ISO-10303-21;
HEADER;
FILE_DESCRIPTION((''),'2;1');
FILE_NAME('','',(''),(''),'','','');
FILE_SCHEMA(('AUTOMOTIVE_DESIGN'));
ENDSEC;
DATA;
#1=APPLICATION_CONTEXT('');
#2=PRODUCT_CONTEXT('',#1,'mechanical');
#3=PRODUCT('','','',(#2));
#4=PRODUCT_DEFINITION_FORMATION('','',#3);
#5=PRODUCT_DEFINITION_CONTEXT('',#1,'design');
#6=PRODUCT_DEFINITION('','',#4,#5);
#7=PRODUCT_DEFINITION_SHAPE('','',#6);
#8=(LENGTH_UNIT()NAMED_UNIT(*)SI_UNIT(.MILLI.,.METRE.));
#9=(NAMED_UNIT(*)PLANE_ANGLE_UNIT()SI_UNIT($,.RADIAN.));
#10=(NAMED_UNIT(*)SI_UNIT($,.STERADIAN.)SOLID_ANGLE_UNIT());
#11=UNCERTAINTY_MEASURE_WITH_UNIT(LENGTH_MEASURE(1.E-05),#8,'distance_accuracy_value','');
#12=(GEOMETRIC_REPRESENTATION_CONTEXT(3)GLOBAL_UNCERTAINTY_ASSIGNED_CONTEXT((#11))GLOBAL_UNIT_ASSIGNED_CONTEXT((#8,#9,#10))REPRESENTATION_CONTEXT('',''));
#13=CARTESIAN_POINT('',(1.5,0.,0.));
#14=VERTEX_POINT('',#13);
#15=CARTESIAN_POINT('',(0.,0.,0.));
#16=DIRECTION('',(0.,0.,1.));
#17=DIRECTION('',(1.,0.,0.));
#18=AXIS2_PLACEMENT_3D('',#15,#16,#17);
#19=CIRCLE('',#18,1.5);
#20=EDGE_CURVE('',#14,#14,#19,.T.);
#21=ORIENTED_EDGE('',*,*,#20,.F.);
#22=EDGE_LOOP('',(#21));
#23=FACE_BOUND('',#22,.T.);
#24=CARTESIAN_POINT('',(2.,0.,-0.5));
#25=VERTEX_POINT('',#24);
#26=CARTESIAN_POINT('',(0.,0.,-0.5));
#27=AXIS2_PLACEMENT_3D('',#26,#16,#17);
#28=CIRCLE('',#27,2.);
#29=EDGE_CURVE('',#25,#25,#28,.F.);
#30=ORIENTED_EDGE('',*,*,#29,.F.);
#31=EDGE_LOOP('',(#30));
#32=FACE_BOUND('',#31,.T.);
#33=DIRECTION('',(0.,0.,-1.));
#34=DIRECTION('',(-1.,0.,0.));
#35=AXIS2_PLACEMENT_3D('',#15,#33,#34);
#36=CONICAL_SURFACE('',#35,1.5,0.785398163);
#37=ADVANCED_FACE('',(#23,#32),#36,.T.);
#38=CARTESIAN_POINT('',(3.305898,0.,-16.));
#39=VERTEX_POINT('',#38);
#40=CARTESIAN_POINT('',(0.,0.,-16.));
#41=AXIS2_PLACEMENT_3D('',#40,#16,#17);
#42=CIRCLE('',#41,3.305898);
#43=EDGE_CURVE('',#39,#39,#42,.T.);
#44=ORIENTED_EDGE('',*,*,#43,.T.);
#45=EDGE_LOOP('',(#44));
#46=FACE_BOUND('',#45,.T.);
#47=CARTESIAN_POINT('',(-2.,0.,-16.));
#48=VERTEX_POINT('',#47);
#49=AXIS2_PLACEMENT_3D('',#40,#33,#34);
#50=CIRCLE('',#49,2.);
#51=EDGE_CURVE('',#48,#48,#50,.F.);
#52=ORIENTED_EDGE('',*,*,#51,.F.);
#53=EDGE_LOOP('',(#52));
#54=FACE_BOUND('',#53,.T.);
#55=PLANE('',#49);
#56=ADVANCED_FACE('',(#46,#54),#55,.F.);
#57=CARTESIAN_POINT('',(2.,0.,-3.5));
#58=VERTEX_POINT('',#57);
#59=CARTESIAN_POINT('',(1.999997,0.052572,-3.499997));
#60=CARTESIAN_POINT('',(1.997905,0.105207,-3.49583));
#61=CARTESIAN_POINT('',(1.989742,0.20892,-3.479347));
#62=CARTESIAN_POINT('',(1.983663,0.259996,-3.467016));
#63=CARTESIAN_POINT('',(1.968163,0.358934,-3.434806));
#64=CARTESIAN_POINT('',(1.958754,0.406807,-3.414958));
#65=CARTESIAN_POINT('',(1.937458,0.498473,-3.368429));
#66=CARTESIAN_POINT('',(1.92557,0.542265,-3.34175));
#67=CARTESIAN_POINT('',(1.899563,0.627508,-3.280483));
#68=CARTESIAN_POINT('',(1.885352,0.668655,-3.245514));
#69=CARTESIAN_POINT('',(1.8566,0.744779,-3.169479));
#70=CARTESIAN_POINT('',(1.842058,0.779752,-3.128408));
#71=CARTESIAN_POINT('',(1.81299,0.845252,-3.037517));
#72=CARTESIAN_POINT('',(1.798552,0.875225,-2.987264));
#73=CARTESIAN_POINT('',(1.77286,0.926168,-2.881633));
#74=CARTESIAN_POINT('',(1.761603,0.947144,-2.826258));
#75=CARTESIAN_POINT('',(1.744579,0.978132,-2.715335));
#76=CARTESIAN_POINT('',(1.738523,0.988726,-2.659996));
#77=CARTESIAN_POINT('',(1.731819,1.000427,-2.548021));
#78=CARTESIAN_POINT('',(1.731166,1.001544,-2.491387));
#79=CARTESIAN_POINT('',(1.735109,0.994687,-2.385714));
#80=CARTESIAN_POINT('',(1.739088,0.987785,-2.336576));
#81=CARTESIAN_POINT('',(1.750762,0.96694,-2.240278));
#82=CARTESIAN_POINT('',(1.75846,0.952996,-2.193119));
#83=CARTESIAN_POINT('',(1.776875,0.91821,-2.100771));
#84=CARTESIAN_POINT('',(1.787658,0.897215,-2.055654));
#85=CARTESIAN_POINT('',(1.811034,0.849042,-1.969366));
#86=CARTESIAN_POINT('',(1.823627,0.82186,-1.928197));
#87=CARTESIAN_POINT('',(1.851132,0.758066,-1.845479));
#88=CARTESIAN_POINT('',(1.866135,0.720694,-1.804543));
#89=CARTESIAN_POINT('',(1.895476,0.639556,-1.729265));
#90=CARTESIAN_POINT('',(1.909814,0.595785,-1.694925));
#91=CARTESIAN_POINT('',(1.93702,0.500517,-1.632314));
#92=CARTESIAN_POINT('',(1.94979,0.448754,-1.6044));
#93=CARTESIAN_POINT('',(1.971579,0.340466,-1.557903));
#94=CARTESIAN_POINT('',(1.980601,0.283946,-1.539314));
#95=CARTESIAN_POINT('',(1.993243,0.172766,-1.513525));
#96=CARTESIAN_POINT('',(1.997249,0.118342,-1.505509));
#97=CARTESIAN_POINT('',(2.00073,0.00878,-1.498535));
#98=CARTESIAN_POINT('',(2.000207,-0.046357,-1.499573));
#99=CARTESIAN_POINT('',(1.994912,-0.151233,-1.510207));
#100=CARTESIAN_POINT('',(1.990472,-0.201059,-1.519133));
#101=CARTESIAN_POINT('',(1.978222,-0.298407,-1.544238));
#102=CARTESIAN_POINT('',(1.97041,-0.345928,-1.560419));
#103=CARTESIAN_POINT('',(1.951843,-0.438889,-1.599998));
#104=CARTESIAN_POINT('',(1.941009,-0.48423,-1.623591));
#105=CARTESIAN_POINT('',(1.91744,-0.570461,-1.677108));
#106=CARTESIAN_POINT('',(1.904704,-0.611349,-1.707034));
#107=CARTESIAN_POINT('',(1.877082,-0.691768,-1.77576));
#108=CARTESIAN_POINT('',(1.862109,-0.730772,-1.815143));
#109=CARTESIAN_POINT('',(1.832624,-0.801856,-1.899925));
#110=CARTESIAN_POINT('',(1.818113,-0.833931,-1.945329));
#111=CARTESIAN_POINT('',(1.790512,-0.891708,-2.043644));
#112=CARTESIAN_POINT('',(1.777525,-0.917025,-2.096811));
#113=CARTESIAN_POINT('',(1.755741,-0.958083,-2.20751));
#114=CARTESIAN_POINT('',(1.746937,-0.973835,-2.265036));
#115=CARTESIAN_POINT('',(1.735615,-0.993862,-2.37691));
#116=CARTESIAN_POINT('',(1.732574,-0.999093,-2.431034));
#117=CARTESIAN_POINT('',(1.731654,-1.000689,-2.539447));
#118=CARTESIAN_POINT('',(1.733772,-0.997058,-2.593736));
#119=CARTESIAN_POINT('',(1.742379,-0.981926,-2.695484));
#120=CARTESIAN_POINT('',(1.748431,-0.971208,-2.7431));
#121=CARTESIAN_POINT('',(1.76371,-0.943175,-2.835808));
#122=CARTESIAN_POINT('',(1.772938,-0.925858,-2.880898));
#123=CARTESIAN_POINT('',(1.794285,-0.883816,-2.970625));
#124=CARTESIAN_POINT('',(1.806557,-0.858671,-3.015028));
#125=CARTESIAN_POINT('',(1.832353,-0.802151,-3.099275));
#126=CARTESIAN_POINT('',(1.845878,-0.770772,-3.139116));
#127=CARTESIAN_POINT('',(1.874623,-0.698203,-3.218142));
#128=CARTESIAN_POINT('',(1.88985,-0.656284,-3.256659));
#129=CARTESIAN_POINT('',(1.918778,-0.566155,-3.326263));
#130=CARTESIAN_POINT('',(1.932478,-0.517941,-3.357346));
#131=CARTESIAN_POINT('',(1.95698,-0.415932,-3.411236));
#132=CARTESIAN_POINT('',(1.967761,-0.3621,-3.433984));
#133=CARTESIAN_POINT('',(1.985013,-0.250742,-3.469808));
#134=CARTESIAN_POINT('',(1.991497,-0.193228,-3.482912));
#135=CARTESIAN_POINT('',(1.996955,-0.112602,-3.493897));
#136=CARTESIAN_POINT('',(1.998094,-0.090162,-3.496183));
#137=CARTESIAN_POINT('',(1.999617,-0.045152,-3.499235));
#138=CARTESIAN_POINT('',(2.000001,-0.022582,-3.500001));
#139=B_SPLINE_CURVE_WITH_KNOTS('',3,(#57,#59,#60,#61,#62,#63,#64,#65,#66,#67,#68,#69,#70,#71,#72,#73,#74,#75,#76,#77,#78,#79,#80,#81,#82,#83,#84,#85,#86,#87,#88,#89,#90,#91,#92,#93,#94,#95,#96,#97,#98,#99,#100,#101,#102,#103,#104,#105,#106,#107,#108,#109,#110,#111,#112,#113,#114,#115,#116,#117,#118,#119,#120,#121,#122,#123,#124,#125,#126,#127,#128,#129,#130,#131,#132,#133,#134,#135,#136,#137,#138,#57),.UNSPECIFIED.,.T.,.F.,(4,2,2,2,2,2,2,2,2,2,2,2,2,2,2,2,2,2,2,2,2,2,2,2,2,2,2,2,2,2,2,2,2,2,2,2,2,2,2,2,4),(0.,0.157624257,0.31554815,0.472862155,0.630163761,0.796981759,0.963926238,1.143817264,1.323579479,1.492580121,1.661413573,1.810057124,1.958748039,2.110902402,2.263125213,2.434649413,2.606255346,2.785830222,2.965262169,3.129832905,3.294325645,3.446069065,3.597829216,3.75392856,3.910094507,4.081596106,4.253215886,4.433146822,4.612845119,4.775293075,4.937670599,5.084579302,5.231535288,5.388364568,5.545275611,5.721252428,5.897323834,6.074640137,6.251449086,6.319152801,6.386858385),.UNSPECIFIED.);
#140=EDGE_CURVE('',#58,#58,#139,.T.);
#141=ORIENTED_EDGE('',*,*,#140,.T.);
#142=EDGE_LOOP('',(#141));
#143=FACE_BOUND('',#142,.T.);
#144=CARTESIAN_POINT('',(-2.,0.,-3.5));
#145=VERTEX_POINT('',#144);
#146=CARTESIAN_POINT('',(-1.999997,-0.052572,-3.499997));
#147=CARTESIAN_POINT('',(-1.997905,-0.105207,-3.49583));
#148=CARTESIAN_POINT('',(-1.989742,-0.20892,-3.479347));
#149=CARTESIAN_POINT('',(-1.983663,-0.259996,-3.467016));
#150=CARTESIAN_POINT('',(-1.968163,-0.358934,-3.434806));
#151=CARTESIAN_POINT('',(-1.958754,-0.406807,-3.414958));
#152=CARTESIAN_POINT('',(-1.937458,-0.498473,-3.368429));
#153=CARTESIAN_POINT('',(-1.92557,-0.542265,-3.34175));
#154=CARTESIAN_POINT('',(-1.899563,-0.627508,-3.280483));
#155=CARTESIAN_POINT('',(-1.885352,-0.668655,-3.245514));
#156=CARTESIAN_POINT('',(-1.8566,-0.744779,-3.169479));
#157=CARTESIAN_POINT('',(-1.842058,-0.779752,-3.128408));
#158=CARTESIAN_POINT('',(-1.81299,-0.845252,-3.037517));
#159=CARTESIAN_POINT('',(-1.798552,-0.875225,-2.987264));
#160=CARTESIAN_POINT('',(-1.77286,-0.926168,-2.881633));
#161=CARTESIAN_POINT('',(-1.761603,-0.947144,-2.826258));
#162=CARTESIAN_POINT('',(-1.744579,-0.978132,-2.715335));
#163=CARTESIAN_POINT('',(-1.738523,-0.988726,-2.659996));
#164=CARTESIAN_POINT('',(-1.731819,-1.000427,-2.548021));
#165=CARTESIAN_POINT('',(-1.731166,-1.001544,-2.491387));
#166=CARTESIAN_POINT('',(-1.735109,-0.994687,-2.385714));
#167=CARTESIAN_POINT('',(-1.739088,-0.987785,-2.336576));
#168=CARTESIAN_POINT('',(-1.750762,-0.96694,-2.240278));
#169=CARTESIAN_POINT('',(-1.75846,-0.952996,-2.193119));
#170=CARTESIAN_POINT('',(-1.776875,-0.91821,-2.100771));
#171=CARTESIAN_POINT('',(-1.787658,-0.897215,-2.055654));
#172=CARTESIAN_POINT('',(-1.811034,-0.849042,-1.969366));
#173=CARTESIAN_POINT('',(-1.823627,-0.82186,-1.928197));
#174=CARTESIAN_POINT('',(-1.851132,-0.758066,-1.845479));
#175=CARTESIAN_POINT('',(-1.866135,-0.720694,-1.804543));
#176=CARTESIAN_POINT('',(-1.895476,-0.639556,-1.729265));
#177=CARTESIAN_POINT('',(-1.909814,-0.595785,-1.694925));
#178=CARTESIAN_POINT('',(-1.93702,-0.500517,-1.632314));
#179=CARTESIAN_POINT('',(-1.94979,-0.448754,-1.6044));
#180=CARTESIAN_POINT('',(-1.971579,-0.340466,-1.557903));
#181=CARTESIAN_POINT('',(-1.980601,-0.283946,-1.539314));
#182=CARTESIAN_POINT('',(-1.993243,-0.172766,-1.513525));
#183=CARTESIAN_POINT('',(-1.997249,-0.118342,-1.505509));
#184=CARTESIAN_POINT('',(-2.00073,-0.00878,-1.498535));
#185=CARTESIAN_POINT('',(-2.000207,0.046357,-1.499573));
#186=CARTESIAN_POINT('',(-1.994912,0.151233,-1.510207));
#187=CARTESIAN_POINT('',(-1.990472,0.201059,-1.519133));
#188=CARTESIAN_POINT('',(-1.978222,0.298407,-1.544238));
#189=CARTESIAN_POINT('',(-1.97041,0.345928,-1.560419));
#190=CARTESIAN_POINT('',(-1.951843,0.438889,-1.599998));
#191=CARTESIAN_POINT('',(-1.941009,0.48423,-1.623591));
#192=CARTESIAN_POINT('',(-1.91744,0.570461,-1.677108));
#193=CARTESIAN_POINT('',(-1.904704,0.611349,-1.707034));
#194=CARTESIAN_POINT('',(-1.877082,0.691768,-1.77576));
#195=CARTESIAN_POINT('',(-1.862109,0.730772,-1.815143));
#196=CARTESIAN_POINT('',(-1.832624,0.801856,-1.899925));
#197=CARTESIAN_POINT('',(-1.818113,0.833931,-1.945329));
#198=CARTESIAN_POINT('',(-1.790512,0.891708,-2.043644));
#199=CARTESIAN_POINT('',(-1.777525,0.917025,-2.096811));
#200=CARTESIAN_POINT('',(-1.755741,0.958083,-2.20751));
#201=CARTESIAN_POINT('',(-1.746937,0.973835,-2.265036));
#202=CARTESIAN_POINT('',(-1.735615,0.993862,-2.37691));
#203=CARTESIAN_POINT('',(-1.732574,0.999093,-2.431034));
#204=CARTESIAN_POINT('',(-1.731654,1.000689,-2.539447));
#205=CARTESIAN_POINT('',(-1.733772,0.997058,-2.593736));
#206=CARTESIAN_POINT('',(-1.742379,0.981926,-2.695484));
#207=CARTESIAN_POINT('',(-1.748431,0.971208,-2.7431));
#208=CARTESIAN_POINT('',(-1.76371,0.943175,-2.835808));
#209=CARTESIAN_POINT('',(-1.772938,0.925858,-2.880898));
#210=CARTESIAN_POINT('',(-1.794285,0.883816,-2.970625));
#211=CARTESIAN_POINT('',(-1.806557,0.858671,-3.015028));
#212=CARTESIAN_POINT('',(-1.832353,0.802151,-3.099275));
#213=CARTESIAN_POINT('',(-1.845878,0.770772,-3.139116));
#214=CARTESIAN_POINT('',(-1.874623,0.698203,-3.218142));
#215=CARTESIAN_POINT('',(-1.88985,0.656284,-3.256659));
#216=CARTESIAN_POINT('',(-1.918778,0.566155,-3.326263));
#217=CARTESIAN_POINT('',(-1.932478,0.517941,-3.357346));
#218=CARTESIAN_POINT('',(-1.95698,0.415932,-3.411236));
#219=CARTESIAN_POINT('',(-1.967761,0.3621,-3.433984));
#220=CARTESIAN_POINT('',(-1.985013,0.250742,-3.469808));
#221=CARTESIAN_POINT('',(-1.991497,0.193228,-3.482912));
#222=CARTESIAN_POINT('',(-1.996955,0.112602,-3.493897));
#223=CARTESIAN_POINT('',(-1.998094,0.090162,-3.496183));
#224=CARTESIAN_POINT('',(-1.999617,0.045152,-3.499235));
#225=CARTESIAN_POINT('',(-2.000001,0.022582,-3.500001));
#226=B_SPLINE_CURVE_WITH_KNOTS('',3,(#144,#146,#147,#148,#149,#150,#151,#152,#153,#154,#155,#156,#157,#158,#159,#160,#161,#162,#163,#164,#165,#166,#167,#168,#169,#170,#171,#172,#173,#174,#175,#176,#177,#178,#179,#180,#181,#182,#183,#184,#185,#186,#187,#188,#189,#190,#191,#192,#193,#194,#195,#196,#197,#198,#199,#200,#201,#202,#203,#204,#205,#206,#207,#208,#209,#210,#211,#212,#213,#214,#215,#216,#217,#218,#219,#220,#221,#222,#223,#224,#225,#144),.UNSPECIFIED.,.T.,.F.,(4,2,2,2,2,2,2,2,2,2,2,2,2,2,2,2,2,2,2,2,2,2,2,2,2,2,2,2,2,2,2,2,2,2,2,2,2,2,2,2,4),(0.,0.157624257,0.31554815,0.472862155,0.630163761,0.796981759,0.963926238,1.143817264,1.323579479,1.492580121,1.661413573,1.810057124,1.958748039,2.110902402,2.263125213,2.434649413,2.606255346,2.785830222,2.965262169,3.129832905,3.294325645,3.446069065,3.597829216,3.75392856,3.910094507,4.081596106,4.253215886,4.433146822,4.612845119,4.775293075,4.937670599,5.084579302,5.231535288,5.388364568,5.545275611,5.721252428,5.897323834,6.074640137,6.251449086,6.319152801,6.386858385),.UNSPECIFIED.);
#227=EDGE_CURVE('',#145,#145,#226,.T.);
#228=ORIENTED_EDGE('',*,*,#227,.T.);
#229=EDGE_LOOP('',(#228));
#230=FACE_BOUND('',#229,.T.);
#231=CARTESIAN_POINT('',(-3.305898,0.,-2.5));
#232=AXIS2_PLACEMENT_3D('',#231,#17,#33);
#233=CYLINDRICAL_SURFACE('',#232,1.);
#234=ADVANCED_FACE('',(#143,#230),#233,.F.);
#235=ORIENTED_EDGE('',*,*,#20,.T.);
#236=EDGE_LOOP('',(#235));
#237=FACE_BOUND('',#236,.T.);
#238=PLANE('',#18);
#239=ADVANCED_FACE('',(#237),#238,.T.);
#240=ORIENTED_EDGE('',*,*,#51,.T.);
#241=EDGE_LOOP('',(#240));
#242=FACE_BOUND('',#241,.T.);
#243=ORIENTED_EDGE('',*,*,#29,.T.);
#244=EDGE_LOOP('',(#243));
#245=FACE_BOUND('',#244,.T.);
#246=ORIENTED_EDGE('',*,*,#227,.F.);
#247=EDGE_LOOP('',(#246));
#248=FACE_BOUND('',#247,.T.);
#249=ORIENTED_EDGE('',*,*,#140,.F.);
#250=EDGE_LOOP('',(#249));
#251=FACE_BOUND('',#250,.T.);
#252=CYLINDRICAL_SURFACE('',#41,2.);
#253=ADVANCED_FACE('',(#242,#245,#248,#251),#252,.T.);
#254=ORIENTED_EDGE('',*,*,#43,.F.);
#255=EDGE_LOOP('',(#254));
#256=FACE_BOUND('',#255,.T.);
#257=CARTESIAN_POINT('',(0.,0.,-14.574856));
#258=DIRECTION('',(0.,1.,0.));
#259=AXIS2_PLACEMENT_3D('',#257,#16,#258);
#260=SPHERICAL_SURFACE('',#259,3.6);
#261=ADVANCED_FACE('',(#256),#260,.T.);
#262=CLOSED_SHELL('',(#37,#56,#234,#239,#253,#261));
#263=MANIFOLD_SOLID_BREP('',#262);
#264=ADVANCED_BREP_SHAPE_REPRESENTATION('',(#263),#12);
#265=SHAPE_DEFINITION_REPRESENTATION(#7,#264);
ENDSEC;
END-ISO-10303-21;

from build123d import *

# Parameters (mm, degrees)
SKETCH1_R               = 2
BOSS_EXTRUDE1_DEPTH     = 16
CHAMFER1_SIZE           = 0.5
SKETCH7_R               = 1
CUT_EXTRUDE1_DEPTH      = 4.305898307
CUT_EXTRUDE1_DEPTH_BACK = 4.305898307


with BuildPart() as part:
    # Sketch1 → Boss-Extrude1 (new body)
    with BuildSketch(Plane.XY):
        Circle(SKETCH1_R)
    extrude(amount=-BOSS_EXTRUDE1_DEPTH)

    # Chamfer1
    chamfer1_edges = [part.edges().sort_by_distance(p)[0] for p in [
        (-2, 0, 0),
    ]]
    chamfer(chamfer1_edges, length=CHAMFER1_SIZE)

    # Sketch4 → Revolve1 (revolve)
    with BuildSketch(Plane(origin=(0, 0, 0), x_dir=(0, 0, -1), z_dir=(1, 0, 0))):
        with BuildLine():
            Line((16, 0), (16, 3.305898307))
            ThreePointArc((16, 3.305898307), (17.582389504, 1.978570239), (18.174855662, 0))
            Line((18.174855662, 0), (16, 0))
        make_face()
    revolve(axis=Axis((0, 0, -13.297823311), (0, 0, -1)))

    # Sketch7 → Cut-Extrude1 (cut, two sides)
    with BuildSketch(Plane(origin=(0, 0, 0), x_dir=(0, 0, -1), z_dir=(1, 0, 0))) as cut_extrude1_sk:
        with Locations((2.5, 0)):
            Circle(SKETCH7_R)
    extrude(amount=CUT_EXTRUDE1_DEPTH, mode=Mode.SUBTRACT)
    extrude(cut_extrude1_sk.sketch, amount=-CUT_EXTRUDE1_DEPTH_BACK, mode=Mode.SUBTRACT)


solid = part.part
